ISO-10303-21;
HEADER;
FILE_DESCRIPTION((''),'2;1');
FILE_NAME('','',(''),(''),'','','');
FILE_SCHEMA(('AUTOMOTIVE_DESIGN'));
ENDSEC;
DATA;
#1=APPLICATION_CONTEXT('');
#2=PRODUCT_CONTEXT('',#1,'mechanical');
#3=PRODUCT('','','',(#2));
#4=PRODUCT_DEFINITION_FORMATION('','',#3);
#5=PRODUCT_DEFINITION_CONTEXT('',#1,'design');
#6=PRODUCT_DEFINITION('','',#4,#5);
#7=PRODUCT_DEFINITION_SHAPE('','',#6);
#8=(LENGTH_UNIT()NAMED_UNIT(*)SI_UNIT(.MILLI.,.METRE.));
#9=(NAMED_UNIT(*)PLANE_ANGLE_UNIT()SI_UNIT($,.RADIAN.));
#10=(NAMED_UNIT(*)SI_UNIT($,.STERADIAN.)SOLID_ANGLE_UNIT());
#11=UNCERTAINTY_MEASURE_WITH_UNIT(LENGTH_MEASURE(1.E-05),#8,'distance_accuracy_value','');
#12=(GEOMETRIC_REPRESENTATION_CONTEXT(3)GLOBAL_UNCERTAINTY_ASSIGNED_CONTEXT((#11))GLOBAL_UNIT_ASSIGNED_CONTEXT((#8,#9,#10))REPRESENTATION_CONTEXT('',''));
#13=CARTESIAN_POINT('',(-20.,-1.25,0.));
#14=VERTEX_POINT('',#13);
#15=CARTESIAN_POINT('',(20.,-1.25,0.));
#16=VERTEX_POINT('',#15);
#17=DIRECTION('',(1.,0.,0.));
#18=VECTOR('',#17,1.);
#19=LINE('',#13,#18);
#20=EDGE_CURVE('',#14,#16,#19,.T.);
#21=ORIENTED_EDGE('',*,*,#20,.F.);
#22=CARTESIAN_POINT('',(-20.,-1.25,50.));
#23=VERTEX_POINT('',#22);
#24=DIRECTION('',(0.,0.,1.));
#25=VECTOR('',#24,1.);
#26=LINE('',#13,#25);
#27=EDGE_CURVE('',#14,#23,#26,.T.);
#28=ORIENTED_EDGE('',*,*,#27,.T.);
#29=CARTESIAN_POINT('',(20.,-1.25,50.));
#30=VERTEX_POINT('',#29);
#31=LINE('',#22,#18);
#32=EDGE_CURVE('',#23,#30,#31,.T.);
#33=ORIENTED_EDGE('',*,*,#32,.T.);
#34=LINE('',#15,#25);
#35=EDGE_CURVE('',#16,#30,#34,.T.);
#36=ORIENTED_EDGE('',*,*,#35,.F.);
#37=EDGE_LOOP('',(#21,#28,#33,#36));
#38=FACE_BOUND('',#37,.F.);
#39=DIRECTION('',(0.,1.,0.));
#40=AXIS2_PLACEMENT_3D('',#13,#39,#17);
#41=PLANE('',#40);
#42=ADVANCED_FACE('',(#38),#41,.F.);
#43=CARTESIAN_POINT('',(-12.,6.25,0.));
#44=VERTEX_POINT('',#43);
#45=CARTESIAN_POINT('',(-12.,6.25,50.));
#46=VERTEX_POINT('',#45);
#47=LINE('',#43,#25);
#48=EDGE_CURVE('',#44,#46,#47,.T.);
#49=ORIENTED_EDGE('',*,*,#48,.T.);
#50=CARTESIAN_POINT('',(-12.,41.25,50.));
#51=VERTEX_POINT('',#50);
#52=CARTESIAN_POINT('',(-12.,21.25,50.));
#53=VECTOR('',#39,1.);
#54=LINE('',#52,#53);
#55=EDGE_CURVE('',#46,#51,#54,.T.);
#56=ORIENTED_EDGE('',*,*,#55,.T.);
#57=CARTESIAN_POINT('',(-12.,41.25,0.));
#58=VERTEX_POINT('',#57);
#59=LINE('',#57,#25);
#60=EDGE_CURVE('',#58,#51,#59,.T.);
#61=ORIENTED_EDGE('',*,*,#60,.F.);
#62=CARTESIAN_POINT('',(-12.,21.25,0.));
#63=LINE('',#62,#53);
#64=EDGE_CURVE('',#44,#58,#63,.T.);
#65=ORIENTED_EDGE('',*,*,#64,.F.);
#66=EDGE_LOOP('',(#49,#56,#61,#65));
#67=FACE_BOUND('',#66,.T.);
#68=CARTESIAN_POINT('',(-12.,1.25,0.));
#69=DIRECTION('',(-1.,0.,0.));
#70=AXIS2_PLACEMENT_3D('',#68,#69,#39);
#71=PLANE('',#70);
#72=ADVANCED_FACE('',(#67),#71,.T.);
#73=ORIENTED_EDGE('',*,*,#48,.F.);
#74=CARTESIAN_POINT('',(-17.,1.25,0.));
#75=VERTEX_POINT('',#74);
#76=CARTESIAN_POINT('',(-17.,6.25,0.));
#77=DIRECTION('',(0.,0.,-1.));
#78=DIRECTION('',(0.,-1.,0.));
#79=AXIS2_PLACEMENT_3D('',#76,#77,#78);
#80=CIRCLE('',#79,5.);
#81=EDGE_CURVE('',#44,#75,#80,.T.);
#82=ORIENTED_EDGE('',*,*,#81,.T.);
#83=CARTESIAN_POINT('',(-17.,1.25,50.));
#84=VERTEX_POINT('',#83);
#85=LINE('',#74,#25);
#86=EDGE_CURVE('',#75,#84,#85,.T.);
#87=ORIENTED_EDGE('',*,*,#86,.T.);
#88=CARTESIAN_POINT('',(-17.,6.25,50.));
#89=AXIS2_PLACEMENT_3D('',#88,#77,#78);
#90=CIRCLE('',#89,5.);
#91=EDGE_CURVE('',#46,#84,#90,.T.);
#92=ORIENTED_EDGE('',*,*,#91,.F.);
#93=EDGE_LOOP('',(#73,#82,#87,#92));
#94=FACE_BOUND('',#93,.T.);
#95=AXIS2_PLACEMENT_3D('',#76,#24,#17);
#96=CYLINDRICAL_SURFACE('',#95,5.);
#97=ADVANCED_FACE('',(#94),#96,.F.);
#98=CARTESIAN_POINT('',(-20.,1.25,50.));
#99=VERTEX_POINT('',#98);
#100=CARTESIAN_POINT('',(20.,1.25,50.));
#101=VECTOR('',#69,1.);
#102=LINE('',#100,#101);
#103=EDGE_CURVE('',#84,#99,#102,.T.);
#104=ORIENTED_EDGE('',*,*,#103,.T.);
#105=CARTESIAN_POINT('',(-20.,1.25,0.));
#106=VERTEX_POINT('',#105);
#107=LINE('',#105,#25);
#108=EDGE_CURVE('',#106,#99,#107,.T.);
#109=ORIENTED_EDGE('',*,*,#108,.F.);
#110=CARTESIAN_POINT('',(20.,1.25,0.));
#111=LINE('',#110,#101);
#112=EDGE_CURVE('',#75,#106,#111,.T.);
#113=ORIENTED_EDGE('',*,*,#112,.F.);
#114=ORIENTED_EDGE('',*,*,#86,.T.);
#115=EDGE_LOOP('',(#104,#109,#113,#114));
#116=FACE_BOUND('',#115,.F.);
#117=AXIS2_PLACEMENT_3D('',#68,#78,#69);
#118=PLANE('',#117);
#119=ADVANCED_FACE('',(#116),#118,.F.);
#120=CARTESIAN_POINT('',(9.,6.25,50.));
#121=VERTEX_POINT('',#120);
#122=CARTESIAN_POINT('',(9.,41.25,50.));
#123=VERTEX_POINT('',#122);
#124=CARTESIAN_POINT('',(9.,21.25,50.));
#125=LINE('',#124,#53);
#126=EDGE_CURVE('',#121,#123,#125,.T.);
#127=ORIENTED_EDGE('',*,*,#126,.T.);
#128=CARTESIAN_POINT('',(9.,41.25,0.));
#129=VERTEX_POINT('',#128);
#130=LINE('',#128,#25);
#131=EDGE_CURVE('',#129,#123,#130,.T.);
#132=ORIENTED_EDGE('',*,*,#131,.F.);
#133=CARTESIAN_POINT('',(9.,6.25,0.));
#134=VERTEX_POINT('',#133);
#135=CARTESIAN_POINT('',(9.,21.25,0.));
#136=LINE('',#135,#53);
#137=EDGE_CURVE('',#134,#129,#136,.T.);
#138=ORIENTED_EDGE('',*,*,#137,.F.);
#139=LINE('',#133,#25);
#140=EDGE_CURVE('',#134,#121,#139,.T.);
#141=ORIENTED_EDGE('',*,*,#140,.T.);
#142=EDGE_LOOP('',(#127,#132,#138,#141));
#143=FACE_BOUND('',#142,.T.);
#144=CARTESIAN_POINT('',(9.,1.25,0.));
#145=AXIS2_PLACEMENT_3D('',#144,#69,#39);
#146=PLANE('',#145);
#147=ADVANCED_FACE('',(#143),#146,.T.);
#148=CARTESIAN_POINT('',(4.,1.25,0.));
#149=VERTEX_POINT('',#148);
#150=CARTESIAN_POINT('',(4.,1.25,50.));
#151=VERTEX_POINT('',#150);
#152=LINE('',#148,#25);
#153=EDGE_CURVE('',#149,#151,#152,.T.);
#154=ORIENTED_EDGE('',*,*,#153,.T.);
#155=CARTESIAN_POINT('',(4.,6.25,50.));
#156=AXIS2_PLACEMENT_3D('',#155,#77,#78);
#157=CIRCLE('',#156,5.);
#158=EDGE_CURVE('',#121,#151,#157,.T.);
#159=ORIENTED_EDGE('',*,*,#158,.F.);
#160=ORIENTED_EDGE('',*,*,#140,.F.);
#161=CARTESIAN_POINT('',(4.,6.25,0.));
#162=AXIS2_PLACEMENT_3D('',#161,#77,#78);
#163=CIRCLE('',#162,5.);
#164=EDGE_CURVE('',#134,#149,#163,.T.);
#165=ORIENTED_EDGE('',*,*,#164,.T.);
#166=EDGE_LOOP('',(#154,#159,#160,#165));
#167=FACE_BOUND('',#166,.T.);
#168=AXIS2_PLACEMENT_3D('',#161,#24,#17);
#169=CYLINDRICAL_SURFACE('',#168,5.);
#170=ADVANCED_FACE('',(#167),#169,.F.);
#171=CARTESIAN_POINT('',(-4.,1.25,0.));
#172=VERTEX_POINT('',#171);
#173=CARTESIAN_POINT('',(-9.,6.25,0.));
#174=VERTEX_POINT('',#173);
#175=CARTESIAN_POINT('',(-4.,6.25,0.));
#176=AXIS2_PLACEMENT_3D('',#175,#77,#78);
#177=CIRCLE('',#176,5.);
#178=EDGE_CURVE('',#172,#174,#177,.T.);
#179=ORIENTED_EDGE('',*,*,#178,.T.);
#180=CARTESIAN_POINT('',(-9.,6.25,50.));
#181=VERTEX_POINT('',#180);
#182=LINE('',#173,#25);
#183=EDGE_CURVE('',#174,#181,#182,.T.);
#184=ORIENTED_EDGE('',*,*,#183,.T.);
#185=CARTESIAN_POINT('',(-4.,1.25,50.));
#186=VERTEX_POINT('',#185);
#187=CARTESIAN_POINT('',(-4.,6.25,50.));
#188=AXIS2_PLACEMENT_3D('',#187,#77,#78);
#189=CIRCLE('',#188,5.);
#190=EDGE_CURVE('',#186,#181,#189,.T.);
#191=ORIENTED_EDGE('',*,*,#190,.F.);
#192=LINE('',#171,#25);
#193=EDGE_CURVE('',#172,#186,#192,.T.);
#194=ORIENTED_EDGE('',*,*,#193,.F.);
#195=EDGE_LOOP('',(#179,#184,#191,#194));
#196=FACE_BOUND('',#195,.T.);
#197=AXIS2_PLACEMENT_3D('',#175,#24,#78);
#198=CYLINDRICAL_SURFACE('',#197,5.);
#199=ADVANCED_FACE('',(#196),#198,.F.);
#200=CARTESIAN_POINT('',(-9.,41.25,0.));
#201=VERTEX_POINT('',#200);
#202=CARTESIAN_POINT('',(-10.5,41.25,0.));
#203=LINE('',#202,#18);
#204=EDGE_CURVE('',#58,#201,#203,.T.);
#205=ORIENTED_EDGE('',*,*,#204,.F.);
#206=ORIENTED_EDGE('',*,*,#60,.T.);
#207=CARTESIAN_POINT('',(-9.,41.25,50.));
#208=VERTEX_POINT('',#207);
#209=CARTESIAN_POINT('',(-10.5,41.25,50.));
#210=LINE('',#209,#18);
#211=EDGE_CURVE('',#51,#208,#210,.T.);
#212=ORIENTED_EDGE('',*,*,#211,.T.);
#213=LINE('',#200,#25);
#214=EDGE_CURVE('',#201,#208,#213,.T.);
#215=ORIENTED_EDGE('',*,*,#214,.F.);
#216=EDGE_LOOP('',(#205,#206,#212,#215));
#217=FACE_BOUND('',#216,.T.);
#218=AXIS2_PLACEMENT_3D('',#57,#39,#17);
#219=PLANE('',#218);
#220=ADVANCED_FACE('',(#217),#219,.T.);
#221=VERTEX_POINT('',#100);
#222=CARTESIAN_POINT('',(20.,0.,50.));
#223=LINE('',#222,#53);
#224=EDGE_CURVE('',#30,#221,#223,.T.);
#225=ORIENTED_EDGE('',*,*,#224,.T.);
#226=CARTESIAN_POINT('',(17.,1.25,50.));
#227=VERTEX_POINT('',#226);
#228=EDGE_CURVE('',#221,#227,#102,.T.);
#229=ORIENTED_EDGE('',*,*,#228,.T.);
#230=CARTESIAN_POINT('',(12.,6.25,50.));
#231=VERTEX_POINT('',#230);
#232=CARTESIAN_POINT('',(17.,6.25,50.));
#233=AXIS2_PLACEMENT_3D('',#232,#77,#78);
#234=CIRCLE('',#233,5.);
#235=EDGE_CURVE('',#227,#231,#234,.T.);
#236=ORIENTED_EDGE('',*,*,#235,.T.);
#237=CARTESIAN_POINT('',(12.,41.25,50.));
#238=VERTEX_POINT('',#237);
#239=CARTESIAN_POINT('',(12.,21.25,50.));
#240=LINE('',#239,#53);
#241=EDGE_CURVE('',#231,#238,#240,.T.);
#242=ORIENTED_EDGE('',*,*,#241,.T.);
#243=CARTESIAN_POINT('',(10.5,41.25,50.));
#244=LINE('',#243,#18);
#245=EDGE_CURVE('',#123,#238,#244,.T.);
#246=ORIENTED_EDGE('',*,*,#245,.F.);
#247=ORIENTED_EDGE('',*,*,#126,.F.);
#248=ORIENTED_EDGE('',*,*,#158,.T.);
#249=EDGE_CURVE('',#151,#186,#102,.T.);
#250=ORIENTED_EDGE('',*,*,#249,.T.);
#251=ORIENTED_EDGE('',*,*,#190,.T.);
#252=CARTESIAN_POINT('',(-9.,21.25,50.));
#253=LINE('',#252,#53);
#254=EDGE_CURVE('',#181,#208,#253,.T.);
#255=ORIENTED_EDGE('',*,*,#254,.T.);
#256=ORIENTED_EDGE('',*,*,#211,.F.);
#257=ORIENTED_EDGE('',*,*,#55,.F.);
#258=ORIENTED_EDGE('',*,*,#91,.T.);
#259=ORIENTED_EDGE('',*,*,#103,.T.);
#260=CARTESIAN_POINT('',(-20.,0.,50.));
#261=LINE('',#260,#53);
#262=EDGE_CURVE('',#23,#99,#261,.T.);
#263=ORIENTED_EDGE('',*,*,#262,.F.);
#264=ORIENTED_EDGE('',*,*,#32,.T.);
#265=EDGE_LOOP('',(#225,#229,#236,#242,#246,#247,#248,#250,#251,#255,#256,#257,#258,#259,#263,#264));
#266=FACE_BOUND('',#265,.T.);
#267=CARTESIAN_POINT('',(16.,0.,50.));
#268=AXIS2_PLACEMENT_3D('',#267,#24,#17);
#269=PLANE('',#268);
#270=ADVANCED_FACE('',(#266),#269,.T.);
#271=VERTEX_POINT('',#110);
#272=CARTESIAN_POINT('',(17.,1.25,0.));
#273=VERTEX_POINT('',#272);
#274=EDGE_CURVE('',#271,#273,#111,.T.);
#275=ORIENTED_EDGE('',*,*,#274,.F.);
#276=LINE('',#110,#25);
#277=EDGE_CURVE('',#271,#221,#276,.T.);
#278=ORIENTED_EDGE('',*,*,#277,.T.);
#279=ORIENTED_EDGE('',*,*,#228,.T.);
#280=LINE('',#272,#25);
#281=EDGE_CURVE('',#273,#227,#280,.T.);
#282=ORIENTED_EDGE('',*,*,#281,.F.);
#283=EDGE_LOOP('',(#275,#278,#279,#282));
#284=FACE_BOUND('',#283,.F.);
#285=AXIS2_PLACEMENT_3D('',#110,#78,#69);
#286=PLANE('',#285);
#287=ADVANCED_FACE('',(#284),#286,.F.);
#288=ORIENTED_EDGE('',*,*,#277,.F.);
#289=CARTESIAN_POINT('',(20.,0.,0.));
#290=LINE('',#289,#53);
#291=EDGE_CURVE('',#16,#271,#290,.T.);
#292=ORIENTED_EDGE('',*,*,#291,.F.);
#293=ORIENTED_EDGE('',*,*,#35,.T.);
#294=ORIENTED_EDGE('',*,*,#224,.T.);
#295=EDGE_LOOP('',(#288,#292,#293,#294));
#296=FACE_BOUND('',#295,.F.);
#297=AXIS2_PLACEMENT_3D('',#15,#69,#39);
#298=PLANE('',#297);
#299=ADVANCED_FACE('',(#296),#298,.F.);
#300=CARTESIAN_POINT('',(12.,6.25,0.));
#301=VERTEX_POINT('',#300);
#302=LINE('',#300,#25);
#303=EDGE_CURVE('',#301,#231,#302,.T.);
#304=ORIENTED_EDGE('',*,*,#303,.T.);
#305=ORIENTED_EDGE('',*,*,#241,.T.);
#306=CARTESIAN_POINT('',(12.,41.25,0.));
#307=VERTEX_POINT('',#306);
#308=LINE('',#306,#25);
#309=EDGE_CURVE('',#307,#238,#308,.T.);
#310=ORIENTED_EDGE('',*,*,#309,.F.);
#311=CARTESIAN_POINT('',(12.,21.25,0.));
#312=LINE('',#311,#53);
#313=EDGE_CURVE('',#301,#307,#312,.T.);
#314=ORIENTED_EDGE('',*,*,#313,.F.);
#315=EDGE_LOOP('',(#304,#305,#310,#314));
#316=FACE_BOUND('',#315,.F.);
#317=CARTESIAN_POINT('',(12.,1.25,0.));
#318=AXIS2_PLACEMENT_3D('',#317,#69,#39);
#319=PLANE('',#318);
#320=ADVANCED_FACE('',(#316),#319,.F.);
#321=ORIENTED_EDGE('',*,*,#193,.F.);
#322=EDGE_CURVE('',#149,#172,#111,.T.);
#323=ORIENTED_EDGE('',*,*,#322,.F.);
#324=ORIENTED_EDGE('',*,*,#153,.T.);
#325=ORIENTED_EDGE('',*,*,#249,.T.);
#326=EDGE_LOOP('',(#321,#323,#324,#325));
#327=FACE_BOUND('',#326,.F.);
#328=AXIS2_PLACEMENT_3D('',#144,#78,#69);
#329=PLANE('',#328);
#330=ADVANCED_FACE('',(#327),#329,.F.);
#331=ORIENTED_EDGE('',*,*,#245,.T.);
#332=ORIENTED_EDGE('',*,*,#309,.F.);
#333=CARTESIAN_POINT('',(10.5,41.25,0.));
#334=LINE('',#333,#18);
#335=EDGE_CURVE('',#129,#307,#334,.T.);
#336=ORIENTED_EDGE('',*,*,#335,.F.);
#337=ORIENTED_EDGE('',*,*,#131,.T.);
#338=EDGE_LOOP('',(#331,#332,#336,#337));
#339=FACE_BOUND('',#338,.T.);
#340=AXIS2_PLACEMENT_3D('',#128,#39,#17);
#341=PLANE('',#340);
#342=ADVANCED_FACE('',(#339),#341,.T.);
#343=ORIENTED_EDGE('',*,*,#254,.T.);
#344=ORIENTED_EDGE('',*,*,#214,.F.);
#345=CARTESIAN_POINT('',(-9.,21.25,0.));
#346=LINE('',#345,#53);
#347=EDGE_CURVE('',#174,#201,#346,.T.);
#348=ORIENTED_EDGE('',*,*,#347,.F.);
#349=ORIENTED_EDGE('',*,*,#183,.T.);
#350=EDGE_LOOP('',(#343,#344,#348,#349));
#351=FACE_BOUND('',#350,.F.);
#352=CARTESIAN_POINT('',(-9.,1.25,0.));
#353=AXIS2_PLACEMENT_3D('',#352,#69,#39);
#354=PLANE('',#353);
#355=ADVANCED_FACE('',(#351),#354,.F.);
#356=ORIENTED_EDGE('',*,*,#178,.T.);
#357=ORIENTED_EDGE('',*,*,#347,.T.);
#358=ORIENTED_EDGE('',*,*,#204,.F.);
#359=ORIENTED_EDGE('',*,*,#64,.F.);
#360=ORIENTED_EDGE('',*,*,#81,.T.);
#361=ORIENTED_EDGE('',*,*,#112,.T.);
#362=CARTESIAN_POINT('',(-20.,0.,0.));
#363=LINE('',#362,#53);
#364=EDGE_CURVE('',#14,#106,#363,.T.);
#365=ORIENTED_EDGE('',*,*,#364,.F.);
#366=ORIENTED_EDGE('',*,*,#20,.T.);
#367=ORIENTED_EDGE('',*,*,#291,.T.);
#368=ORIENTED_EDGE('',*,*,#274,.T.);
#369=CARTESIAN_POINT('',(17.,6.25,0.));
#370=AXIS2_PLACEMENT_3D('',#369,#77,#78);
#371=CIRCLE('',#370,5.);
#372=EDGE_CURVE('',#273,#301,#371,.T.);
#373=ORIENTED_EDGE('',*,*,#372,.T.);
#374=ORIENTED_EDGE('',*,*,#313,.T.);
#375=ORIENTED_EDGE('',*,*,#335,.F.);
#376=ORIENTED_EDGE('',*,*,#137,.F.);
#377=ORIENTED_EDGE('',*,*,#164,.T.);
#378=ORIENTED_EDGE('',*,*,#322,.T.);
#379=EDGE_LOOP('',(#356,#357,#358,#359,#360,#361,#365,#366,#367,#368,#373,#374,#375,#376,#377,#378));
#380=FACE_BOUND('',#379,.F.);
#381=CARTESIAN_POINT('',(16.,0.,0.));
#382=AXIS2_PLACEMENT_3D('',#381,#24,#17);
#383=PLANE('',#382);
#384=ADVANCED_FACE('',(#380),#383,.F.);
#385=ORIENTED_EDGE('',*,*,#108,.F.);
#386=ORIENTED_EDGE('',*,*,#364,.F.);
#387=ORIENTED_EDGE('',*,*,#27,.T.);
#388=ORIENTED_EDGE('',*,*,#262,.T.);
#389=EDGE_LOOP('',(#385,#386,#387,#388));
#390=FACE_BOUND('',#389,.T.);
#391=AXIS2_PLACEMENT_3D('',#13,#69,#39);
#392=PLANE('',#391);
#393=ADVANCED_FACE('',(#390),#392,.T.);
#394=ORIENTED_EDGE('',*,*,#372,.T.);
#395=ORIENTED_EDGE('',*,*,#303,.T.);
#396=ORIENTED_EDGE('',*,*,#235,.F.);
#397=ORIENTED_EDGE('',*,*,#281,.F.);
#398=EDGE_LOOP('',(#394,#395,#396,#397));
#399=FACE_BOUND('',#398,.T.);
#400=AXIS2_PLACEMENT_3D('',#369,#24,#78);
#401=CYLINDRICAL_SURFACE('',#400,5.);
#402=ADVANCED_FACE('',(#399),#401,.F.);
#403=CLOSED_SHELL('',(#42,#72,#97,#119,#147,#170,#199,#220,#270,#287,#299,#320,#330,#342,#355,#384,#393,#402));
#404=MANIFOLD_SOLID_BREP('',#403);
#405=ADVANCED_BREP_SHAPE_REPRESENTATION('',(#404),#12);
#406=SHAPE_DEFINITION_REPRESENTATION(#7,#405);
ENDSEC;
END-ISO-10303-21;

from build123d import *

# Parameters (mm, degrees)
F0_W     = 8
F0_H     = 2.5
F0_W_2   = 3
F0_H_2   = 40
F1_DEPTH = 50
F2_R     = 5


with BuildPart() as f1:
    # F0 (on Top) → F1 (new body)
    with BuildSketch(Plane.XY):
        with Locations((16, 0)):
            Rectangle(F0_W, F0_H)
        Polygon((-12, 1.25), (-12, -1.25), (12, -1.25), (12, 1.25), (9, 1.25), (-9, 1.25), align=None)
        with Locations((-16, 0)):
            Rectangle(F0_W, F0_H)
        with Locations((10.5, 21.25)):
            Rectangle(F0_W_2, F0_H_2)
        with Locations((-10.5, 21.25)):
            Rectangle(F0_W_2, F0_H_2)
    extrude(amount=F1_DEPTH)

    # F2
    f2_edges = [f1.edges().sort_by_distance(p)[0] for p in [
        (12, 1.25, 25),
        (-12, 1.25, 25),
        (-9, 1.25, 25),
        (9, 1.25, 25),
    ]]
    fillet(f2_edges, radius=F2_R)


solid = f1.part
